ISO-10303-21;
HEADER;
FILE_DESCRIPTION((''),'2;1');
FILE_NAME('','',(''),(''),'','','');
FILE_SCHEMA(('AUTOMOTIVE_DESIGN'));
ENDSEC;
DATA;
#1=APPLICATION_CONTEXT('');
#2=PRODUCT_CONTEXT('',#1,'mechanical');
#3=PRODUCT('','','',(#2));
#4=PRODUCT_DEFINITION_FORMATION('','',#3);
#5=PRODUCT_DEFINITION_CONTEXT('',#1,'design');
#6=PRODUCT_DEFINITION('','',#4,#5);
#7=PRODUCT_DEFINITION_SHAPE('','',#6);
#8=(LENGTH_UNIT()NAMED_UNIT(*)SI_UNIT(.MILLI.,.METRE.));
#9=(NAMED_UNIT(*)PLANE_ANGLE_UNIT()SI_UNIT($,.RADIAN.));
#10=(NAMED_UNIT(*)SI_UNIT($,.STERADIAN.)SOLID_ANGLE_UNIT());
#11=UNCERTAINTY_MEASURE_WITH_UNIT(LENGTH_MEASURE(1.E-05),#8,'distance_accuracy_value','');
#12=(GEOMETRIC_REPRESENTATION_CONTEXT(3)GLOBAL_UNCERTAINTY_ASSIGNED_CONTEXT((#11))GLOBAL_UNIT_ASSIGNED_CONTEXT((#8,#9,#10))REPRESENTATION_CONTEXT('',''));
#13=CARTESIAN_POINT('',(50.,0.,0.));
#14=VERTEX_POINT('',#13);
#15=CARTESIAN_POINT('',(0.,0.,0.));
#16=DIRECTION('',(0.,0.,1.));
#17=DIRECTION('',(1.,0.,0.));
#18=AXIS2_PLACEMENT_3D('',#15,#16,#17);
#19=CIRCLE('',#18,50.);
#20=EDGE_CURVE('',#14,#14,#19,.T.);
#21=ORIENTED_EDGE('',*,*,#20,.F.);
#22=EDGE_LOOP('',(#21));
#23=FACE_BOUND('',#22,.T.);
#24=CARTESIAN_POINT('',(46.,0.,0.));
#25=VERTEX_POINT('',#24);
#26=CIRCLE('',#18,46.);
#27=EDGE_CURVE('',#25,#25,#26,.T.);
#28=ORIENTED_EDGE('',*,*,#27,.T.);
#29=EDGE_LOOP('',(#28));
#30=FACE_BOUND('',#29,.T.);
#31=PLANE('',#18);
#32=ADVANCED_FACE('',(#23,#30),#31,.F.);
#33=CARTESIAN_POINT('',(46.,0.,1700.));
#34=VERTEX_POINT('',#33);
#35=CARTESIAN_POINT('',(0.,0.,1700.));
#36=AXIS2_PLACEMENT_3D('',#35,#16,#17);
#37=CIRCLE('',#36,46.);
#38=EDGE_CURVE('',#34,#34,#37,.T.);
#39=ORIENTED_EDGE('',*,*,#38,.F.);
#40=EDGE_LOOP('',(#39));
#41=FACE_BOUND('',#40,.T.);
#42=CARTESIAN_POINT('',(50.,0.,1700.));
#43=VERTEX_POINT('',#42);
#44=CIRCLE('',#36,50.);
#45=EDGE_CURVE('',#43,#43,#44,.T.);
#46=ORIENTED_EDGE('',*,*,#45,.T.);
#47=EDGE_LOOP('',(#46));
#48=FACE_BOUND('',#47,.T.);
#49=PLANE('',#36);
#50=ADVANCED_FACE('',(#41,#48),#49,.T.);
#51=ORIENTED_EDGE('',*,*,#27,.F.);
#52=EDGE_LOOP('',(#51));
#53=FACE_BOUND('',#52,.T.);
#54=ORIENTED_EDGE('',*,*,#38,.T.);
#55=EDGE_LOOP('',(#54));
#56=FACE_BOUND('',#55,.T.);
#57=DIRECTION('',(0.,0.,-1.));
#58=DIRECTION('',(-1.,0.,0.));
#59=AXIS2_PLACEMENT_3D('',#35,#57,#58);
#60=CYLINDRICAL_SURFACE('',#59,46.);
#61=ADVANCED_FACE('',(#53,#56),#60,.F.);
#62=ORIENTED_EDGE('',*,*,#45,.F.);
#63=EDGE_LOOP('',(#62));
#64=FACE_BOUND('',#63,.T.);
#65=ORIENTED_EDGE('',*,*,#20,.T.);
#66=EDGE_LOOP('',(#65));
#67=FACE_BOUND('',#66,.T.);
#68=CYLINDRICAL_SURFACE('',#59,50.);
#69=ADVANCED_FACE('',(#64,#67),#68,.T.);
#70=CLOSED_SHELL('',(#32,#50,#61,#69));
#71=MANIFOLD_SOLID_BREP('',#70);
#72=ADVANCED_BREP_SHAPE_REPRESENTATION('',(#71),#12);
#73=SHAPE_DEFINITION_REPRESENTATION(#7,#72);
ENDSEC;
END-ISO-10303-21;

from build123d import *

# Parameters (mm, degrees)
SKETCH_1_R      = 50
SKETCH_1_R_2    = 46
EXTRUDE_1_DEPTH = 1700


with BuildPart() as part:
    # Эскиз1 → Бобышка-Вытянуть1 (new body)
    with BuildSketch(Plane.XY):
        Circle(SKETCH_1_R)
        Circle(SKETCH_1_R_2, mode=Mode.SUBTRACT)
    extrude(amount=EXTRUDE_1_DEPTH)


solid = part.part
